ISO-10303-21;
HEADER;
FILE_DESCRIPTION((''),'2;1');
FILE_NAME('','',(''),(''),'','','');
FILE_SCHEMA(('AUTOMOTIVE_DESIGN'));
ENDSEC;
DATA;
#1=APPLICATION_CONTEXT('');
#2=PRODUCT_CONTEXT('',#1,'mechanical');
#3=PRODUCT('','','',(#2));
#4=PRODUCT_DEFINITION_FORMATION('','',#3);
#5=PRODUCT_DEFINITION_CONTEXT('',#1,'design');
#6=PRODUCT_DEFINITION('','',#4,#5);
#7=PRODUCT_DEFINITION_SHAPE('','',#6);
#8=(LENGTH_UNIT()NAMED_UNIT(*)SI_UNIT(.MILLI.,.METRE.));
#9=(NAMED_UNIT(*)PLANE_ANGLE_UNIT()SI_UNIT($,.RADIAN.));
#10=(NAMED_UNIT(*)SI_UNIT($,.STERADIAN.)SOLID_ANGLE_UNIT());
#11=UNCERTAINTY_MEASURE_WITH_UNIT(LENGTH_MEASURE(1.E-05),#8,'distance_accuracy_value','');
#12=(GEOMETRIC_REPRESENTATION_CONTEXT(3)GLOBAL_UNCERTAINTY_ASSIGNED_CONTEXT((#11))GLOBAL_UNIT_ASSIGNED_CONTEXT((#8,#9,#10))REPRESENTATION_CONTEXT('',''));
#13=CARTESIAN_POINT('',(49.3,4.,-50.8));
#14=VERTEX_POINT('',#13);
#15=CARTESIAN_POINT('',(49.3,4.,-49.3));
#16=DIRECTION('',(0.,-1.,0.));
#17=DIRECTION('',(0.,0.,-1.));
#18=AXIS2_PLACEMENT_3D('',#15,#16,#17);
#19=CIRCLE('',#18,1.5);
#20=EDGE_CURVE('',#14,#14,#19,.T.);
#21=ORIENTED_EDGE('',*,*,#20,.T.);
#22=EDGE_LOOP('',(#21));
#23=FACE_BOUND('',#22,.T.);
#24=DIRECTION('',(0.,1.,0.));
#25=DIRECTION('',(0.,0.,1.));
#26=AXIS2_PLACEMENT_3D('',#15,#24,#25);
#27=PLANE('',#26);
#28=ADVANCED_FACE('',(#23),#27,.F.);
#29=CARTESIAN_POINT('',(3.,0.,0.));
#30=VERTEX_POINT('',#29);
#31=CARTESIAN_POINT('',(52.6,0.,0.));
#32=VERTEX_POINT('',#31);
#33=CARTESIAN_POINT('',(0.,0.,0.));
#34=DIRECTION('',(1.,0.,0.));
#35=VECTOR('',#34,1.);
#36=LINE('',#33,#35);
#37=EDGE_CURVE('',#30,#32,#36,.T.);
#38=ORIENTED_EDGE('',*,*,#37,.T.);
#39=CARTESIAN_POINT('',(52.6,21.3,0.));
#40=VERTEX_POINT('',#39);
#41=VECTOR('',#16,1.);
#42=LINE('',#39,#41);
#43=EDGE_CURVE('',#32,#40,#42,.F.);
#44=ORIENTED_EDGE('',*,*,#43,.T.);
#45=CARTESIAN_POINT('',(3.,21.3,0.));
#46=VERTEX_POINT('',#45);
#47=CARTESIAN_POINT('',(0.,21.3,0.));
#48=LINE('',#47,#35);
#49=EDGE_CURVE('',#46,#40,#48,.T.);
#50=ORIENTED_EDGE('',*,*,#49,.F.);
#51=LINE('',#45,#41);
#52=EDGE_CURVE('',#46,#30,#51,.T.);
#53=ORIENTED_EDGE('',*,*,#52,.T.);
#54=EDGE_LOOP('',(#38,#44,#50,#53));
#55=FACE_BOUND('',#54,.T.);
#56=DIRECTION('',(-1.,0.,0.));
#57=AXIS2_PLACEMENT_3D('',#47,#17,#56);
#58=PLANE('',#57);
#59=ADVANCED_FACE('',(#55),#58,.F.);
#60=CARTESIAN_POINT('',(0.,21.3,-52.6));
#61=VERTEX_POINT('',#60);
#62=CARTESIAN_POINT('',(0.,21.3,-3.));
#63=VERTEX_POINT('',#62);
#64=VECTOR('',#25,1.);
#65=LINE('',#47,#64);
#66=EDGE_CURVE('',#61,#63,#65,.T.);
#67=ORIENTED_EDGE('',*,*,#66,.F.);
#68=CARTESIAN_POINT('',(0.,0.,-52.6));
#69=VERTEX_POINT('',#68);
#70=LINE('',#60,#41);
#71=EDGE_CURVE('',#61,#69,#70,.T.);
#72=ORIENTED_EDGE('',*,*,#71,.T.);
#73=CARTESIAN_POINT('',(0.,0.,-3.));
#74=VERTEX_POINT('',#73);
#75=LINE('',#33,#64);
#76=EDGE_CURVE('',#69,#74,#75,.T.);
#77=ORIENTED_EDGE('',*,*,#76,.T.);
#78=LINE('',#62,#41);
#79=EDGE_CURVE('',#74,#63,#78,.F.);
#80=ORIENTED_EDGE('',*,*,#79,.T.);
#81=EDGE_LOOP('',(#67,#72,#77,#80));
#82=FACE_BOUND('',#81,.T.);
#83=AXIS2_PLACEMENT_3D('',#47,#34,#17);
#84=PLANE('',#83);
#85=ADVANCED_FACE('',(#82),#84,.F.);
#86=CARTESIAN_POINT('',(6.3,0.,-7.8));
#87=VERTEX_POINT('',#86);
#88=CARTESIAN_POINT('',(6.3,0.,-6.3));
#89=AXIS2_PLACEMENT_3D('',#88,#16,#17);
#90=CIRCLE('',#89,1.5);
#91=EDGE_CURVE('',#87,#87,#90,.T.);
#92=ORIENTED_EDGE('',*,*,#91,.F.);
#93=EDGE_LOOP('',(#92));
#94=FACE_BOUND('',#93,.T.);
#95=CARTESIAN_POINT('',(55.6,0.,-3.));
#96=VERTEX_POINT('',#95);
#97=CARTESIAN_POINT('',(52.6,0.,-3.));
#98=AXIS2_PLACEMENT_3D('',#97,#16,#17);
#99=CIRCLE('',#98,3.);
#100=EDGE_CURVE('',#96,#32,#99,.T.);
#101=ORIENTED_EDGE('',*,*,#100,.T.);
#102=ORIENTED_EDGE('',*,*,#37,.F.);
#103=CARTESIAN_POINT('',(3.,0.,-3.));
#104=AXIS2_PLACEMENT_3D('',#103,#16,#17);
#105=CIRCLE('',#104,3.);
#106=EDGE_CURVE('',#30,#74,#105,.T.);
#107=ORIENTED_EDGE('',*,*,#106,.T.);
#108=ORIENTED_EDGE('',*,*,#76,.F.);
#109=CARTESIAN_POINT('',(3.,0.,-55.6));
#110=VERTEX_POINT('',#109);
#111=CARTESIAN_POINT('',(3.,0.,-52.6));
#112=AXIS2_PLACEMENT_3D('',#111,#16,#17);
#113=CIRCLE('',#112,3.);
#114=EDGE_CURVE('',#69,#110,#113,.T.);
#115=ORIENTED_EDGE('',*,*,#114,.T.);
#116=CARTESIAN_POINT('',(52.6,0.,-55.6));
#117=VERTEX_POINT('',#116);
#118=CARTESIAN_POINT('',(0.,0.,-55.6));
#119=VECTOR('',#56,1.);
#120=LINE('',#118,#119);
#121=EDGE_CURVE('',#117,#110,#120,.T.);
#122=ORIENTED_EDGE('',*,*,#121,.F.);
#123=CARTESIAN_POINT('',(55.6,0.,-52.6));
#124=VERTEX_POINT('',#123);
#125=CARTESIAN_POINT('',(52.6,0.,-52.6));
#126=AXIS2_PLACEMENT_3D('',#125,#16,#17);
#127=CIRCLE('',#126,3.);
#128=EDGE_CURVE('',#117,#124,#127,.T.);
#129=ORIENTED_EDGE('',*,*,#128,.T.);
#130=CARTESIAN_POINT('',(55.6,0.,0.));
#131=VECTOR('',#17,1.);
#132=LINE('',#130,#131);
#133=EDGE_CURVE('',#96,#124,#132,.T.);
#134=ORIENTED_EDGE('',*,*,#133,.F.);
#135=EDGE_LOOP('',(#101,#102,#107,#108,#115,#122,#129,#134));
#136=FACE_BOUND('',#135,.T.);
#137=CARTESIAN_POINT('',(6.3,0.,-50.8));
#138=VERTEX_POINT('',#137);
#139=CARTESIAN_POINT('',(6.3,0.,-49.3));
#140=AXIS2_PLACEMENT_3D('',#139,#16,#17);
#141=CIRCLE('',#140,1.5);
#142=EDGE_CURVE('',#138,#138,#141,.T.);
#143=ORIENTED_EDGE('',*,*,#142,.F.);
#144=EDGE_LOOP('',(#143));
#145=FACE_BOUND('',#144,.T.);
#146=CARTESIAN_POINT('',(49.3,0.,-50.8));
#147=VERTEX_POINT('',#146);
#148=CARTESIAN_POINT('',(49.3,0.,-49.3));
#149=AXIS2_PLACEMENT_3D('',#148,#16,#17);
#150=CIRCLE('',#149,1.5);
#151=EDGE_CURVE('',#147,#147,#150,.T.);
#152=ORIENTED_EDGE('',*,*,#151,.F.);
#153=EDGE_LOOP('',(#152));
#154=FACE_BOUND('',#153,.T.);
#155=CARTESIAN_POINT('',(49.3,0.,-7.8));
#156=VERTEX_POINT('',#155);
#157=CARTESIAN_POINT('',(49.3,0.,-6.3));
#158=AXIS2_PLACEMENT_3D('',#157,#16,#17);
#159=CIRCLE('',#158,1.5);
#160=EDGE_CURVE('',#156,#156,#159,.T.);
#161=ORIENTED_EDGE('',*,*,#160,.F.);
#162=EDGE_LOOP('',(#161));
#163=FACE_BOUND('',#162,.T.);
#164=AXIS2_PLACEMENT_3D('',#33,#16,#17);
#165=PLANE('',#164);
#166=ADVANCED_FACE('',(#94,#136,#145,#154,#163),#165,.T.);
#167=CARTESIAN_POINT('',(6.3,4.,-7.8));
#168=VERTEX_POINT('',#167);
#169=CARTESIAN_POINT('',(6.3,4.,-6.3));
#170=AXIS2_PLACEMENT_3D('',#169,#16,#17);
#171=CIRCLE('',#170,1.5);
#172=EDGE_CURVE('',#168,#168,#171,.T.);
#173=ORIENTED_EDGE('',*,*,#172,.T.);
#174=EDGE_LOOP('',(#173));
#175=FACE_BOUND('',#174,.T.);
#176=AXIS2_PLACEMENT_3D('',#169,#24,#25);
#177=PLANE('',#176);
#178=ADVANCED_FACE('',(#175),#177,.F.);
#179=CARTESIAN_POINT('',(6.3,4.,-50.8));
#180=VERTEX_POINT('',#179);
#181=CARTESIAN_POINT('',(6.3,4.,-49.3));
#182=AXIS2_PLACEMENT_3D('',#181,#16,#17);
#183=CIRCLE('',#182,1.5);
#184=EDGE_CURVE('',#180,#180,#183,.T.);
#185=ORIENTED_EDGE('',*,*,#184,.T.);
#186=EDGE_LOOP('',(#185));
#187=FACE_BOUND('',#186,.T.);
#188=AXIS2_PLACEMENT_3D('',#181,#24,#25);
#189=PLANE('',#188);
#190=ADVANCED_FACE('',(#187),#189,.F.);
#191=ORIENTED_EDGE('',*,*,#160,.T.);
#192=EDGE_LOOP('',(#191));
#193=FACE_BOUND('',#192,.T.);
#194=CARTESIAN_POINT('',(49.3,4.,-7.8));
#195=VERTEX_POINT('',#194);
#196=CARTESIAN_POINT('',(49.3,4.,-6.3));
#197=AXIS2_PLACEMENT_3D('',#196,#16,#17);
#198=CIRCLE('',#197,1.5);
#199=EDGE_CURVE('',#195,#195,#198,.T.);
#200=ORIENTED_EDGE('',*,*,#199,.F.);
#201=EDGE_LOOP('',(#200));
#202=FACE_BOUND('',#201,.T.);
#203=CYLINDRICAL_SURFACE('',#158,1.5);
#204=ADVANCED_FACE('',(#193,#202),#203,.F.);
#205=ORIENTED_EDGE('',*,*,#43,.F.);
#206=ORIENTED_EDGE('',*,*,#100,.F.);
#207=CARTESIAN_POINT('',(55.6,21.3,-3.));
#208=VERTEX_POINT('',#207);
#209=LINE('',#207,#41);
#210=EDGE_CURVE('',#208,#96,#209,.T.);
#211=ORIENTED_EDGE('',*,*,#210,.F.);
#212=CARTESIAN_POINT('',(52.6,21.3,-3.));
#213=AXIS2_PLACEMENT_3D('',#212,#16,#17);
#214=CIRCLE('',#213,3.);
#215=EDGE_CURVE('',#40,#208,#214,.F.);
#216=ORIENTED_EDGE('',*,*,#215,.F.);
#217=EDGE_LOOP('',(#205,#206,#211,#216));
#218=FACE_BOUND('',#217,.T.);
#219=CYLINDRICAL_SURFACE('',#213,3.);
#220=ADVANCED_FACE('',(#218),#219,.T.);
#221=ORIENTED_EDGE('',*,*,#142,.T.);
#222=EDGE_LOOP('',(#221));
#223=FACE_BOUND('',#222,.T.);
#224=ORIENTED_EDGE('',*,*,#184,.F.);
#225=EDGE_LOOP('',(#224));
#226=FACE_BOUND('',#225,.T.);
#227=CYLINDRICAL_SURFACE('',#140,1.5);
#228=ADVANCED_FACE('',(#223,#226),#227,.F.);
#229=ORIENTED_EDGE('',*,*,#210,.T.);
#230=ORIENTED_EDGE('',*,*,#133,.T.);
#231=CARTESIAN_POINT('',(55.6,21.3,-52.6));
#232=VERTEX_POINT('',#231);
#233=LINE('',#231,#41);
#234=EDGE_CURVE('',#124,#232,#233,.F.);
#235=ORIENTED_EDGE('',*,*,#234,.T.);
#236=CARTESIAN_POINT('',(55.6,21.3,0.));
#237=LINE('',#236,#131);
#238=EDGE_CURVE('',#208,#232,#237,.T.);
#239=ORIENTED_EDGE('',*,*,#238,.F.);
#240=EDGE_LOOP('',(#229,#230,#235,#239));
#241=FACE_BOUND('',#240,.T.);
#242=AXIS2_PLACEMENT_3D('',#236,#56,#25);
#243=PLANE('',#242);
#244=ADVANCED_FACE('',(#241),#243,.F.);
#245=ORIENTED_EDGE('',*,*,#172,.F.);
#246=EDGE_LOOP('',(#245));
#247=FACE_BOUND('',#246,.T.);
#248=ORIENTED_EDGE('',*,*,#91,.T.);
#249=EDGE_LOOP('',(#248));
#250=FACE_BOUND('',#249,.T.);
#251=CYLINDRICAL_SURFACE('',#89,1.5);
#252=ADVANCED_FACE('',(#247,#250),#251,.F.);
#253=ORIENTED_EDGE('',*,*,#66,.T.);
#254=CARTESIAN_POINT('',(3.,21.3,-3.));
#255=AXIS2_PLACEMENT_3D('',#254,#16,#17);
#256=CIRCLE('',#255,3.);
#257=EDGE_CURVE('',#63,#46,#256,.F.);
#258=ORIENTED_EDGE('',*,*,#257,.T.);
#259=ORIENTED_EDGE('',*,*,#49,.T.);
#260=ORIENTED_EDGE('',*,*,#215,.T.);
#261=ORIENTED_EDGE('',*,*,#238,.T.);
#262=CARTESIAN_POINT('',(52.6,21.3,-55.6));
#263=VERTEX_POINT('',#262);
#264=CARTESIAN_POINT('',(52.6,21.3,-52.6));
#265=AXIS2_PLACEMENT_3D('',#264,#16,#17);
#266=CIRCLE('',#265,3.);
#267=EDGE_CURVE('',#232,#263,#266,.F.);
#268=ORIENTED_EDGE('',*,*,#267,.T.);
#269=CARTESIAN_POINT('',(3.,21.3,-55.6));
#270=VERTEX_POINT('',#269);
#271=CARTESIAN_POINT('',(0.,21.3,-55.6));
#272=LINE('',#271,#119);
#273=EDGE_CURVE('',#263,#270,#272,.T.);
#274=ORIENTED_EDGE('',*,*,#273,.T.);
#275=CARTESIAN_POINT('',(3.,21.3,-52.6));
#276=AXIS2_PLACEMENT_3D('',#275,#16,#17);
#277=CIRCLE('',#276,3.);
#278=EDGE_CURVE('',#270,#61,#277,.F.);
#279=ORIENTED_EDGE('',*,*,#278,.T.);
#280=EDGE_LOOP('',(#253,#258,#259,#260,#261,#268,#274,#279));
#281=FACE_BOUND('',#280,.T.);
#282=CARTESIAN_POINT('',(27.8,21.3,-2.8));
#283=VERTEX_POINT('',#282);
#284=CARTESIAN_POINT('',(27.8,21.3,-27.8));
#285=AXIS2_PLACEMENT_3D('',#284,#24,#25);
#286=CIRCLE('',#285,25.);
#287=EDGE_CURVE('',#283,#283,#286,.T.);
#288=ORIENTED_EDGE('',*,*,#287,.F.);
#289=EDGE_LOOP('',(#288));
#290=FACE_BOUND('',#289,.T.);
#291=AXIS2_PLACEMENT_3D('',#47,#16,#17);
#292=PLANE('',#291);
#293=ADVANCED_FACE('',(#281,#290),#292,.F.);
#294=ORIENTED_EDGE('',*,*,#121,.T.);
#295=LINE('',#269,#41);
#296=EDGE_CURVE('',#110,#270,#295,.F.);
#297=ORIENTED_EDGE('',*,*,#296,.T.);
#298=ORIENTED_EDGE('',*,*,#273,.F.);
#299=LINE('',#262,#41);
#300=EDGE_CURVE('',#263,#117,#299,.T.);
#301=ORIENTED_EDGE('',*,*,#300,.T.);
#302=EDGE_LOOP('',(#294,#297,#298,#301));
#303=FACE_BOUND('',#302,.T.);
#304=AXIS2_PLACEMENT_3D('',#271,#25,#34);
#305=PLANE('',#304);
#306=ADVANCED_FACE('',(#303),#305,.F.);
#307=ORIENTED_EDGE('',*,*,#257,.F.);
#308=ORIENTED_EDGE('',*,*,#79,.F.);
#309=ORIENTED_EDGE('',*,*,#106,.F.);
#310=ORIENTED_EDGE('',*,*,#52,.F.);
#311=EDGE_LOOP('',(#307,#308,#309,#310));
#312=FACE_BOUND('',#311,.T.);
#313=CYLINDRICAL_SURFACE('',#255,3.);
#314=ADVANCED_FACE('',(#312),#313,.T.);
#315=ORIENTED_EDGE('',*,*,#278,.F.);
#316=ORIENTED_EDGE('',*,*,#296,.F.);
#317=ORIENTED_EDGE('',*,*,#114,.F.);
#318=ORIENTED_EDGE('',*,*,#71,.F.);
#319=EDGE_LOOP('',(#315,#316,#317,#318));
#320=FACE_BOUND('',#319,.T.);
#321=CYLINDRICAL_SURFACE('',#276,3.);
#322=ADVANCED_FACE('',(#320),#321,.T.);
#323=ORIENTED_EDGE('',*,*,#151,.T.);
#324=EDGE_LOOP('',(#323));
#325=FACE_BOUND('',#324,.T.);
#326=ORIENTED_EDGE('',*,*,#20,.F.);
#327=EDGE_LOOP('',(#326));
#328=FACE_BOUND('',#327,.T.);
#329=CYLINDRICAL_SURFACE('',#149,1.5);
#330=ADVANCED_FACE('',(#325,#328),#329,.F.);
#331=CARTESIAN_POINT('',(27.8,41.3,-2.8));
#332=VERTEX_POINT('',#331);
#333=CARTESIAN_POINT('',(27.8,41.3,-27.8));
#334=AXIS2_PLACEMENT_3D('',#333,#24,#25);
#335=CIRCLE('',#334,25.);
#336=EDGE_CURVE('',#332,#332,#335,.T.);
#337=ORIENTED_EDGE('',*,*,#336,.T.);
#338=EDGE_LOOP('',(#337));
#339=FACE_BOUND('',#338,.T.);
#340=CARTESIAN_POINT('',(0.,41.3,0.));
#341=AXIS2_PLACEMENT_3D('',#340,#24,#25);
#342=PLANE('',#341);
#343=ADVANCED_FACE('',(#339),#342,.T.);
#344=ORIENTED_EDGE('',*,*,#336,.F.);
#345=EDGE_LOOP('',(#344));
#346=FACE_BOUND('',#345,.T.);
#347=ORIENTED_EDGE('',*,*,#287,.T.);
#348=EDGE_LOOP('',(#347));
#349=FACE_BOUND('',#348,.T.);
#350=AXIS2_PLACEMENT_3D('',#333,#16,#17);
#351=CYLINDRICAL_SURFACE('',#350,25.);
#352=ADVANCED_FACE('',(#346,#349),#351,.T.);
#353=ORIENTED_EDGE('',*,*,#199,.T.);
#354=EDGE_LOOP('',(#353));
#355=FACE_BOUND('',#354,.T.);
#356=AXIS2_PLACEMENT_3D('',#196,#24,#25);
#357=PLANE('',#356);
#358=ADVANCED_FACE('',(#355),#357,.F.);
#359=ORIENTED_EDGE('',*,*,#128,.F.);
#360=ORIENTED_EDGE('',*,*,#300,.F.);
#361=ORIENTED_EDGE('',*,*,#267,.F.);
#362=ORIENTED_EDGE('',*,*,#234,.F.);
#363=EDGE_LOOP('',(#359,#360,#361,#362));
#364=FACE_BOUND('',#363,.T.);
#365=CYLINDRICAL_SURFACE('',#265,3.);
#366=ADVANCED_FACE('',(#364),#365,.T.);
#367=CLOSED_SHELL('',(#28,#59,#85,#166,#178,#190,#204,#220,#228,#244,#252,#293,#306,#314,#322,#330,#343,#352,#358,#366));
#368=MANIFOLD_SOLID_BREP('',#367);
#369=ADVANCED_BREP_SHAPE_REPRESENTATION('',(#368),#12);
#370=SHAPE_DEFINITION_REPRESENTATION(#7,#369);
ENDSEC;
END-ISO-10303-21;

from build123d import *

# Parameters (mm, degrees)
SKETCH_1_W          = 55.6
SKETCH_1_H          = 55.6
EXTRUDE_1_DEPTH     = 21.3
EXTRUDE_2_DEPTH     = 20
FILLET_1_R          = 3
HOLE_WIZARD_1_D     = 3
HOLE_WIZARD_1_DEPTH = 4


with BuildPart() as part:
    # 草图1 → 凸台-拉伸1 (new body)
    with BuildSketch(Plane(origin=(0, 0, 0), x_dir=(1, 0, 0), z_dir=(0, 1, 0))):
        with Locations((27.8, 27.8)):
            Rectangle(SKETCH_1_W, SKETCH_1_H)
    extrude(amount=EXTRUDE_1_DEPTH)

    # 草图2 → 凸台-拉伸2 (add)
    with BuildSketch(Plane(origin=(0, 21.3, 0), x_dir=(1, 0, 0), z_dir=(0, 1, 0))):
        with BuildLine():
            ThreePointArc((52.8, 27.8), (37.367085809, 50.896988313), (10.12233047, 45.47766953))
            Line((10.12233047, 45.47766953), (45.47766953, 10.12233047))
            ThreePointArc((45.47766953, 10.12233047), (50.896988313, 18.232914191), (52.8, 27.8))
        make_face()
        with BuildLine():
            Line((45.47766953, 10.12233047), (10.12233047, 45.47766953))
            ThreePointArc((10.12233047, 45.47766953), (10.12233047, 10.12233047), (45.47766953, 10.12233047))
        make_face()
    extrude(amount=EXTRUDE_2_DEPTH)

    # 圆角1
    fillet_1_edges = [part.edges().sort_by_distance(p)[0] for p in [
        (0, 10.65, -55.6),
        (55.6, 10.65, -55.6),
        (55.6, 10.65, 0),
        (0, 10.65, 0),
    ]]
    fillet(fillet_1_edges, radius=FILLET_1_R)

    # 孔1
    with Locations(Plane(origin=(0, 0, 0), x_dir=(-1, 0, 0), z_dir=(0, -1, 0))):
        with Locations((-49.3, 49.3), (-6.3, 49.3), (-6.3, 6.3), (-49.3, 6.3)):
            Hole(HOLE_WIZARD_1_D / 2, depth=HOLE_WIZARD_1_DEPTH)


solid = part.part
